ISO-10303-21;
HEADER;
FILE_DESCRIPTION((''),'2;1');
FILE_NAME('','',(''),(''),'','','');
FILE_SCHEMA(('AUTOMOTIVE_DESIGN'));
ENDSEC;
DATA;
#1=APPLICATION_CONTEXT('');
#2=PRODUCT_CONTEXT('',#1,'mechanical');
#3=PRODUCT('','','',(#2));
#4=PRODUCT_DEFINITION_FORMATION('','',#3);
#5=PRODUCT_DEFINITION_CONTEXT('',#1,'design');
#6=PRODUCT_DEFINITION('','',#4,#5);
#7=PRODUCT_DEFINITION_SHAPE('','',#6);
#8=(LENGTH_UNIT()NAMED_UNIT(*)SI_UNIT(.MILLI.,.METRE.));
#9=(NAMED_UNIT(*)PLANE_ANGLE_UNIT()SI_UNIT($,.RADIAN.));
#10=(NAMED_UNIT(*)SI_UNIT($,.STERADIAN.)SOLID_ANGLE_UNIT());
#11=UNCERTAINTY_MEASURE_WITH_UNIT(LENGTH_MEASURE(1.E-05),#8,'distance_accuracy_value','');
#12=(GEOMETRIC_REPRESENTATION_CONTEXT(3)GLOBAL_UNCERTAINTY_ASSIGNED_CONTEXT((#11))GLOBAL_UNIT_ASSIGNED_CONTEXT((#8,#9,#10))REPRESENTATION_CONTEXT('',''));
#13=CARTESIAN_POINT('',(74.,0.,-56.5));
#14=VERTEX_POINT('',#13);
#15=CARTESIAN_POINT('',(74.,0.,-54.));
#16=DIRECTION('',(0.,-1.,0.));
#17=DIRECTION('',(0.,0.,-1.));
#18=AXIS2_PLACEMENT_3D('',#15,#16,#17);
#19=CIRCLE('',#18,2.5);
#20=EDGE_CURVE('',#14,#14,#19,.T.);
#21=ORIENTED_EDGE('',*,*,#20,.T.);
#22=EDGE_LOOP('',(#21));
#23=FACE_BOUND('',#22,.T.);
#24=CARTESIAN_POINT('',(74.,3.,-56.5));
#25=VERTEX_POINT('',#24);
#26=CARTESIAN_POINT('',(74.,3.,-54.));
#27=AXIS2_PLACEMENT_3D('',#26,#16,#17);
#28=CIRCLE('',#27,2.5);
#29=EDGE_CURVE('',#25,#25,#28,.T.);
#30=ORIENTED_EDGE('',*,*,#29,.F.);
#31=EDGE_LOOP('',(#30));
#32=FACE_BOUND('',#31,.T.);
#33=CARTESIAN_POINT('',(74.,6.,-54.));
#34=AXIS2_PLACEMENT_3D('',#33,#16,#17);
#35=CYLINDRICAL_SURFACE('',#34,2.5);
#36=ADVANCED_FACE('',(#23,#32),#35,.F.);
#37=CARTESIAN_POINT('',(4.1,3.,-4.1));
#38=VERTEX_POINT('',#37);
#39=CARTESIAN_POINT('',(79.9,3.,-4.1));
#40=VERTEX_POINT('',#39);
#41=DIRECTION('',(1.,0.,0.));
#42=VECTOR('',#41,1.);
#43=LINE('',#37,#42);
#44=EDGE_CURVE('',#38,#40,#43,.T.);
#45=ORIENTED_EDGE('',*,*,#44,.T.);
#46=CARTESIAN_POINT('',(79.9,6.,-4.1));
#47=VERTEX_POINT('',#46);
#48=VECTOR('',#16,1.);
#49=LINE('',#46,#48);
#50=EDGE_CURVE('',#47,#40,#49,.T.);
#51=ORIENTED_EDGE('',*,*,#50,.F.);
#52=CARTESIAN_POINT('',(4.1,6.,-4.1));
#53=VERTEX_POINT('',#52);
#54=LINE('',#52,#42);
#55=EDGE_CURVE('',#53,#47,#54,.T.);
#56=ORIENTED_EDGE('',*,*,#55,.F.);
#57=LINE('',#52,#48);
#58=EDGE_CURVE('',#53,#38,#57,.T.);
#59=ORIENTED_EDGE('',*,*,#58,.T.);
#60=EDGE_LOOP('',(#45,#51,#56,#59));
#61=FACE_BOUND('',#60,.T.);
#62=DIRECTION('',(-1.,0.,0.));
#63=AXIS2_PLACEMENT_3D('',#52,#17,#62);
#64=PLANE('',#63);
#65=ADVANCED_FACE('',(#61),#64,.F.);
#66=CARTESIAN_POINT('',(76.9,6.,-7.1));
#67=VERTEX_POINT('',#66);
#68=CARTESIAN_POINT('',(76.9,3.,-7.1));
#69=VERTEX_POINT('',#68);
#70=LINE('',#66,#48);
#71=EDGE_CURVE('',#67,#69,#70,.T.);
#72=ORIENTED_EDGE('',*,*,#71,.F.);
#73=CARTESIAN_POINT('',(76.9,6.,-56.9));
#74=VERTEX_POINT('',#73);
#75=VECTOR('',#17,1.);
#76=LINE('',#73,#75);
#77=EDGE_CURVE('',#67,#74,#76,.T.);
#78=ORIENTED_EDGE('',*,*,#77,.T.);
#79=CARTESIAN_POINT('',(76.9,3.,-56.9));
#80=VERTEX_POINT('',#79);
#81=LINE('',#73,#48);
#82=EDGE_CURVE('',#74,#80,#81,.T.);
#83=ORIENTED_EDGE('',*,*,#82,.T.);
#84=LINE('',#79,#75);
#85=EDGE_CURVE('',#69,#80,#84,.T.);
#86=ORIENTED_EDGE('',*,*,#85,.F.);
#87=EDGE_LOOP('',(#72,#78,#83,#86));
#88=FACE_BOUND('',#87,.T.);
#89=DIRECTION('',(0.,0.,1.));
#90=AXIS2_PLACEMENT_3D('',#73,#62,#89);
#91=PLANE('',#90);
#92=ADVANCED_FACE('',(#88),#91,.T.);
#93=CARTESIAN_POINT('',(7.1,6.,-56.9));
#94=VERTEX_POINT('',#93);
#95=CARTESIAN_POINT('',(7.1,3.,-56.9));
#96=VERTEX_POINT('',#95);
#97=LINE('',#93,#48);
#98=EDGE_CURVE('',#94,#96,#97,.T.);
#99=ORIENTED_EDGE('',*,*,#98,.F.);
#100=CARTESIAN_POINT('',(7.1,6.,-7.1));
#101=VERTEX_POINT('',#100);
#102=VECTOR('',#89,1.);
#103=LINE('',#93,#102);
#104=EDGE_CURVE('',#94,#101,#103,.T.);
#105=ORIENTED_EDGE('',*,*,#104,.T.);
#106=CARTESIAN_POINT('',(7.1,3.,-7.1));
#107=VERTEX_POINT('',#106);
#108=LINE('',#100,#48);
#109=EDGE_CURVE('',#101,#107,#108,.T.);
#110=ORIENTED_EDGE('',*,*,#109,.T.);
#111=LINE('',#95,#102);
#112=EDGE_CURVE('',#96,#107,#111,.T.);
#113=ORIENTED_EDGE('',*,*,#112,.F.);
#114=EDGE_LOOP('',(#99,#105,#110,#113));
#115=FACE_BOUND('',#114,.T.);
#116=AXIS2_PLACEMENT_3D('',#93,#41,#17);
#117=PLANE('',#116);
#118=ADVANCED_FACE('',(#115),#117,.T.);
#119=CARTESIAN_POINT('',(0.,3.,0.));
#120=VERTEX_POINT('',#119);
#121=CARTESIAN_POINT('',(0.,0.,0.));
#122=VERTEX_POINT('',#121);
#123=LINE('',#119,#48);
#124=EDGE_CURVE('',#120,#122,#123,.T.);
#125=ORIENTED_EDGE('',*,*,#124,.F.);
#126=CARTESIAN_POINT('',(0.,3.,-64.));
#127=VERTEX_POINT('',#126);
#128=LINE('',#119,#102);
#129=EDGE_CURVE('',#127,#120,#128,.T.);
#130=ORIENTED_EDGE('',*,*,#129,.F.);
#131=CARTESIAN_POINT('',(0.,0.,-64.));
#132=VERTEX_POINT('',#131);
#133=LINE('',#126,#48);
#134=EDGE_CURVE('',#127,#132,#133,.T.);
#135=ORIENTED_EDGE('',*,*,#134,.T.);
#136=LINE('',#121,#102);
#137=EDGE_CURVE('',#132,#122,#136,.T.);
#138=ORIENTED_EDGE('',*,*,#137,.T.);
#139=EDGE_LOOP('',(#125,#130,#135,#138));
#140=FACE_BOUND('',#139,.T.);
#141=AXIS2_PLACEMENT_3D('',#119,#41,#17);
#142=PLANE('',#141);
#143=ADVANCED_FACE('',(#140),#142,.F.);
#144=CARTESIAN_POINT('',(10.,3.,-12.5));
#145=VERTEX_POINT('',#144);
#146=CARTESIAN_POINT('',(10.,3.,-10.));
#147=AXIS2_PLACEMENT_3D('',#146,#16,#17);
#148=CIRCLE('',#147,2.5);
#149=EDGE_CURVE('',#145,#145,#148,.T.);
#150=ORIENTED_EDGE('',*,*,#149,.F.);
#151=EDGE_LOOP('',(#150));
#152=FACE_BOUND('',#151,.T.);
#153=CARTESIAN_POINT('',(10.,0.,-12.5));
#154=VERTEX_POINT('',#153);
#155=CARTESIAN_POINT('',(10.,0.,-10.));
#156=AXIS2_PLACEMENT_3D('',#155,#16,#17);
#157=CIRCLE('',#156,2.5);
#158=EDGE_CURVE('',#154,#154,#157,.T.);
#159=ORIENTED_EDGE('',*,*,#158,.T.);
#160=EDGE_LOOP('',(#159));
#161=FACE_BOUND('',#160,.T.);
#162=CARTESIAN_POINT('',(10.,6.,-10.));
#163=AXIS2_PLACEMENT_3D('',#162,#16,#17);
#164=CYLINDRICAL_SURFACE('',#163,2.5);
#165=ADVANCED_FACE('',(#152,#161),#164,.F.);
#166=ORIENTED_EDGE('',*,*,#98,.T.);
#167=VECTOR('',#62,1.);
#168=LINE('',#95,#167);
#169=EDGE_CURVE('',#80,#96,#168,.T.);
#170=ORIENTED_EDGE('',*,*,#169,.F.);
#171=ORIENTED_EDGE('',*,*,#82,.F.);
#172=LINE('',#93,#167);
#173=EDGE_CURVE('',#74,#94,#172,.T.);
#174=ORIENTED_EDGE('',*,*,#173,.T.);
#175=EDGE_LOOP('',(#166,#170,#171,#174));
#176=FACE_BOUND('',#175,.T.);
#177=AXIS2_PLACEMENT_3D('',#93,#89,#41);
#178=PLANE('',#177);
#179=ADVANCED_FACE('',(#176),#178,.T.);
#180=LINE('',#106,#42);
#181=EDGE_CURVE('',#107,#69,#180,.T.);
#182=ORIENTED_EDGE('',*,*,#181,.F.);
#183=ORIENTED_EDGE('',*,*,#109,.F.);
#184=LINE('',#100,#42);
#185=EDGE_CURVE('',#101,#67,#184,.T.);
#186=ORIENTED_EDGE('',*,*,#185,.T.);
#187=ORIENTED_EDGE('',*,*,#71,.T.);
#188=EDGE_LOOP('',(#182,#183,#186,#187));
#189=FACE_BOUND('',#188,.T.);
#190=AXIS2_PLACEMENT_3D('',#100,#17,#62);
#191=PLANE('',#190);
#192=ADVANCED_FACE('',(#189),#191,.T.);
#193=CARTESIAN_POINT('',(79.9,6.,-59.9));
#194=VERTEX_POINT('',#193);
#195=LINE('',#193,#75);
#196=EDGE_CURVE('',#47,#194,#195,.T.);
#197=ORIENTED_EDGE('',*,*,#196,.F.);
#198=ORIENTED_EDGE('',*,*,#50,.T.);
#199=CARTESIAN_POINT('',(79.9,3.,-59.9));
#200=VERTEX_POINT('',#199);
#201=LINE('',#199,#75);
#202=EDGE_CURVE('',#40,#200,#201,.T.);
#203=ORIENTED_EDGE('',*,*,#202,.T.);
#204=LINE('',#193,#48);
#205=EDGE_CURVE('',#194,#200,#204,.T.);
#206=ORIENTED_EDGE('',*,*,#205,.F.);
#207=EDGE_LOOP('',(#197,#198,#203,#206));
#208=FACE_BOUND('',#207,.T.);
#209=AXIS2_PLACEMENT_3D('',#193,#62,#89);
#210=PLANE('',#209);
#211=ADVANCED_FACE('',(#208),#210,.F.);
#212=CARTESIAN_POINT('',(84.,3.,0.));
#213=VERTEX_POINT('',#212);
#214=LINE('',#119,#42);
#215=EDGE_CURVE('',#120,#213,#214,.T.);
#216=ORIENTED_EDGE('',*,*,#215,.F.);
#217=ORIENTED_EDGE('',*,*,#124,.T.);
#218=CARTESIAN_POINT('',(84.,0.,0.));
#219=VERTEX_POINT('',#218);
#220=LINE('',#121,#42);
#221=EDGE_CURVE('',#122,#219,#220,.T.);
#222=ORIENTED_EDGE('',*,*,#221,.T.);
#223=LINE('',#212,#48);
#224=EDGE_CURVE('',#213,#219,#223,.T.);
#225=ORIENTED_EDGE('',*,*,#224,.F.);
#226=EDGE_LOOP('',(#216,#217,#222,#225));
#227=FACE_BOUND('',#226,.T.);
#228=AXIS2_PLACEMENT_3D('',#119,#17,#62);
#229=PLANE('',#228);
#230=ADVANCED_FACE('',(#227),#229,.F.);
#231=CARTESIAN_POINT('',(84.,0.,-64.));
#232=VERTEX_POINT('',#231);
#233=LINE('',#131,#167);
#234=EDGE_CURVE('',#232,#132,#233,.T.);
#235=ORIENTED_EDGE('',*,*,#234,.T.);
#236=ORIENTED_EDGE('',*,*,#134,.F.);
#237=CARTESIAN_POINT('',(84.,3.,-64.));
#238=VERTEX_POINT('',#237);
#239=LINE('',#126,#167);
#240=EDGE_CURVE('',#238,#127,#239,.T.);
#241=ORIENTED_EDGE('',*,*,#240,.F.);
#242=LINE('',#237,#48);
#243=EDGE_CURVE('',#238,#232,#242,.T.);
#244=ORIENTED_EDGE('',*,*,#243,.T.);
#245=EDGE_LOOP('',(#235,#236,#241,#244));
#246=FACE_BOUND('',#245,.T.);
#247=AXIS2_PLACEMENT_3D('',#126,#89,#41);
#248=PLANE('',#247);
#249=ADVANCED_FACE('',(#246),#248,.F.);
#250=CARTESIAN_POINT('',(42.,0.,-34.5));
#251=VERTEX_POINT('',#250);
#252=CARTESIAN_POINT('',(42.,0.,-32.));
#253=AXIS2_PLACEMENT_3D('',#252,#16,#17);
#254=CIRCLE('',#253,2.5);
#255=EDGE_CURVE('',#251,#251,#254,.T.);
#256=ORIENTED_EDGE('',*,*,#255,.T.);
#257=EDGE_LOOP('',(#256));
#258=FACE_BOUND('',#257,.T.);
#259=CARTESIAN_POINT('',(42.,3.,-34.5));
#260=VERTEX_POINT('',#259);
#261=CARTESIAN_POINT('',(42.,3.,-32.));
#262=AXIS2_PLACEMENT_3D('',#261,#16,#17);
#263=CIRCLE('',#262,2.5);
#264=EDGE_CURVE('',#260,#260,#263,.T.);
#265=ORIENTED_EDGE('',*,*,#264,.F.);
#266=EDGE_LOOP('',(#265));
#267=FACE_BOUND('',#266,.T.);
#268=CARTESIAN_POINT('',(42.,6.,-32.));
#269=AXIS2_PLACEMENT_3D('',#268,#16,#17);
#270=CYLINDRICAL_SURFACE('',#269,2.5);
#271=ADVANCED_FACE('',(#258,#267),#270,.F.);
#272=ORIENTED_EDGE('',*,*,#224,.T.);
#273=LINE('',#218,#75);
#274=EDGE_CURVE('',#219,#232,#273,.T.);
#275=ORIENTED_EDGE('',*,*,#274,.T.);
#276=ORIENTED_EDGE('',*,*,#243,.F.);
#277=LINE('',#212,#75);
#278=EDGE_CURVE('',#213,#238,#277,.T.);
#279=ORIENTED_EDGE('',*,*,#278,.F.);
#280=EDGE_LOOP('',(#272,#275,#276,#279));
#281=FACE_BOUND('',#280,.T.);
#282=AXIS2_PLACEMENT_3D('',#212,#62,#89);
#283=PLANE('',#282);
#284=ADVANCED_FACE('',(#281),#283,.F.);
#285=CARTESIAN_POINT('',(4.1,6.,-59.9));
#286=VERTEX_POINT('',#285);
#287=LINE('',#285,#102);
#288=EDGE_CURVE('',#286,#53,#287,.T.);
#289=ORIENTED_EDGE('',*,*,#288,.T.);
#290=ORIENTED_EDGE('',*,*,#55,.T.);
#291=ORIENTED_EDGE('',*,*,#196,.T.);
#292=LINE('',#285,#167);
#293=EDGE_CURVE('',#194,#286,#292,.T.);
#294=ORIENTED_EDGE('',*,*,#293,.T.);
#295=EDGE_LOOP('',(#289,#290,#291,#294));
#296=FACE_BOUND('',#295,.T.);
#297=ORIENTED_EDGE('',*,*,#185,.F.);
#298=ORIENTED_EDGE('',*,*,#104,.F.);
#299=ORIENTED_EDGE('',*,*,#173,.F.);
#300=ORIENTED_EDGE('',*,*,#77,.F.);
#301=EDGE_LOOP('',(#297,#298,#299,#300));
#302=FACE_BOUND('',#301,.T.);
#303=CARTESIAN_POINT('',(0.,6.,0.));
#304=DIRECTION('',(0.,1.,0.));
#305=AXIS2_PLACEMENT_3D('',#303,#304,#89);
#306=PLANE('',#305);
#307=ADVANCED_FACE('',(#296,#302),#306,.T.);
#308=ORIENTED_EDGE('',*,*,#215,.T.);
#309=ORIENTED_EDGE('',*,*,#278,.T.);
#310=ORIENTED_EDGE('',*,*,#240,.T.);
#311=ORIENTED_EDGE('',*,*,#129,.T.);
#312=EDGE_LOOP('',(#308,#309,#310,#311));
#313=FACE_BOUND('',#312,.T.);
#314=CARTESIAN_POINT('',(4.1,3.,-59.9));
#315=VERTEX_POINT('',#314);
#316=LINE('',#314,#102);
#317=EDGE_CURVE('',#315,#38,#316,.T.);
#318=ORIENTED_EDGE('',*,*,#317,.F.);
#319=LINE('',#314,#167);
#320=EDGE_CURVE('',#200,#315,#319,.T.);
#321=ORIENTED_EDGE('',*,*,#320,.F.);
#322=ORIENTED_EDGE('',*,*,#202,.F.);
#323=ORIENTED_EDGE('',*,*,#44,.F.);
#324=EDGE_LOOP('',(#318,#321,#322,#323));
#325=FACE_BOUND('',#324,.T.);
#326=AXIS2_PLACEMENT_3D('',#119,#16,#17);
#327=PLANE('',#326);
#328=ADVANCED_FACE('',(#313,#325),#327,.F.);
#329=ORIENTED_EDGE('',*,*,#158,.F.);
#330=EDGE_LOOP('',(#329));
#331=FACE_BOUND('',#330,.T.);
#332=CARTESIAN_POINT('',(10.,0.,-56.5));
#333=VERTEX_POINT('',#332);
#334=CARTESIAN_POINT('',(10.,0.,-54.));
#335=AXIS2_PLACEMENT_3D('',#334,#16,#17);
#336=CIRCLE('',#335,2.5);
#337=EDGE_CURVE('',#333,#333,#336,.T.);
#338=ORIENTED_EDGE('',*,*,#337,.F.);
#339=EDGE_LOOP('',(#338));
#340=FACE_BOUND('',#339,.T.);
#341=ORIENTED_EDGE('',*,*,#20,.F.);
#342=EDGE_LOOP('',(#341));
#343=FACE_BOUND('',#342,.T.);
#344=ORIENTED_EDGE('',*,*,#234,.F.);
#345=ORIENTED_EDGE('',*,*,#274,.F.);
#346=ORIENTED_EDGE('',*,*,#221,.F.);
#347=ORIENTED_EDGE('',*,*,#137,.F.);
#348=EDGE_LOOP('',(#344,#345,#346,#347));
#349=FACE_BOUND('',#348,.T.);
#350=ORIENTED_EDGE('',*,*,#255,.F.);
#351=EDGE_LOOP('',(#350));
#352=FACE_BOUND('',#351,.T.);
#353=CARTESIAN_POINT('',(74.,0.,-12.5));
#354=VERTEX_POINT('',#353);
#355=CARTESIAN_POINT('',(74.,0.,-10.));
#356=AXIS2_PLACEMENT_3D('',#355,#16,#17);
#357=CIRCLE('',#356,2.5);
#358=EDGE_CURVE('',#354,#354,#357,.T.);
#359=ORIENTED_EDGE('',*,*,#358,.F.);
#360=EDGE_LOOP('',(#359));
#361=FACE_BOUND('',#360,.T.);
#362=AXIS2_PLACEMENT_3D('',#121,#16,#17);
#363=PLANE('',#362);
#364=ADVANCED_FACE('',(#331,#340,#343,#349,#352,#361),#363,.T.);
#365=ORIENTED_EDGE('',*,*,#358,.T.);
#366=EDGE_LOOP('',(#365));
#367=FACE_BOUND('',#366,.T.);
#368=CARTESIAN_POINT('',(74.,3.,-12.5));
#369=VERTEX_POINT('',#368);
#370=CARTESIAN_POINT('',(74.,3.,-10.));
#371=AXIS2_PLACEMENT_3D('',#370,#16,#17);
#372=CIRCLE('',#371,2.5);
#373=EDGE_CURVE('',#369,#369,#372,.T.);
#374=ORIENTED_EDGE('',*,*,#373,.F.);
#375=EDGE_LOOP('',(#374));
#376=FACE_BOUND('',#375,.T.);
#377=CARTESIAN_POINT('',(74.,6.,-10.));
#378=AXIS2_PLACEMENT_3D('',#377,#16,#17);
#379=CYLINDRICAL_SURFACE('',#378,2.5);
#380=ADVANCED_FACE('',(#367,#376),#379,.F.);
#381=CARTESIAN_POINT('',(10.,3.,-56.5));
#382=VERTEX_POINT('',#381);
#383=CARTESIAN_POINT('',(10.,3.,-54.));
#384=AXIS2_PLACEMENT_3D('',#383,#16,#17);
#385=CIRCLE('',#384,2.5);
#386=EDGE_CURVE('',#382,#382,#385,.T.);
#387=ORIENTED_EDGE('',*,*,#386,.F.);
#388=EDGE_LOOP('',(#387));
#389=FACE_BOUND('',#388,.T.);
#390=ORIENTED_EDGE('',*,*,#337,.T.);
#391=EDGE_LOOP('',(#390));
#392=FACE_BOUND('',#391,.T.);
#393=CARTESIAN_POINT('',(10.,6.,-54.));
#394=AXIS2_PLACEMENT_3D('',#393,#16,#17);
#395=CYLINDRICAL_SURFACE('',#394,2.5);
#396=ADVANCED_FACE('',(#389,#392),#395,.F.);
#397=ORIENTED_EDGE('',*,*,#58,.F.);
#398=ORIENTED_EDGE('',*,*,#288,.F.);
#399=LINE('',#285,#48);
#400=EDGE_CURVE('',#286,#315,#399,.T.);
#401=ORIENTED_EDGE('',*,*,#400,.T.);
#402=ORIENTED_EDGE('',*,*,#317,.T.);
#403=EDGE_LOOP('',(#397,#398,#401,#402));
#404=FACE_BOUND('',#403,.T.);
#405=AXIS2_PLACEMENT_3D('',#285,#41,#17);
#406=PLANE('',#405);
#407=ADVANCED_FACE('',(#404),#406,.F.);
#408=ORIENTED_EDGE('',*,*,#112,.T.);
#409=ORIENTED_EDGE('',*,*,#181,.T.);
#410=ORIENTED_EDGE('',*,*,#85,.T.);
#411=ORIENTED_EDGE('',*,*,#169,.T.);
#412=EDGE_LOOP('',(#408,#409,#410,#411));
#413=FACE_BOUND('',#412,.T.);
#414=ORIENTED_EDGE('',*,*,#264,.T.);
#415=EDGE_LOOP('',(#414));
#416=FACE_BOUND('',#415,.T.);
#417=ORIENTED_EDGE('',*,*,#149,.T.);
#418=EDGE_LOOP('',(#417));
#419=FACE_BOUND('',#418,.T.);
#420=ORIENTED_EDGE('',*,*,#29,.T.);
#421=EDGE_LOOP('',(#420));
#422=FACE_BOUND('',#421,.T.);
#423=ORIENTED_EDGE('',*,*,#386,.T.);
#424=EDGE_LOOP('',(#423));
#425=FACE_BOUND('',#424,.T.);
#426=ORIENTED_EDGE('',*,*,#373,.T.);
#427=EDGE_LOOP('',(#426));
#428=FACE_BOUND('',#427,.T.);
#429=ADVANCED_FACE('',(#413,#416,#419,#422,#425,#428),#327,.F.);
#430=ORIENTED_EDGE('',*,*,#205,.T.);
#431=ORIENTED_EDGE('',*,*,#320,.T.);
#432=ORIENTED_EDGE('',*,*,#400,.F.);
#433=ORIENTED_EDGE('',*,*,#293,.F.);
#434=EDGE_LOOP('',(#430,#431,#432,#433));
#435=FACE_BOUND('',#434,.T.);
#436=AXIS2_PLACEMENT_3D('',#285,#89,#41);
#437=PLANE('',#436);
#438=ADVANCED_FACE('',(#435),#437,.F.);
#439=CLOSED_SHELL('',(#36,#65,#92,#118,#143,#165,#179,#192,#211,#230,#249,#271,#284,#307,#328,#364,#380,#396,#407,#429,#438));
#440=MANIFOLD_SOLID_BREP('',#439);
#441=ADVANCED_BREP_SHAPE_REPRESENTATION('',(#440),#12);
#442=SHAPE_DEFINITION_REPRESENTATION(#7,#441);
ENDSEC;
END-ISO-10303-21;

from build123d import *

# Parameters (mm, degrees)
CROQUIS1_W              = 84
CROQUIS1_H              = 64
SALIENTE_EXTRUIR1_DEPTH = 3
CROQUIS2_W              = 75.8
CROQUIS2_H              = 55.8
CROQUIS2_W_2            = 69.8
CROQUIS2_H_2            = 49.8
SALIENTE_EXTRUIR2_DEPTH = 3
CROQUIS3_R              = 2.5
CORTAR_EXTRUIR1_DEPTH   = 7


with BuildPart() as part:
    # Croquis1 → Saliente-Extruir1 (new body)
    with BuildSketch(Plane(origin=(0, 0, 0), x_dir=(1, 0, 0), z_dir=(0, 1, 0))):
        with Locations((42, 32)):
            Rectangle(CROQUIS1_W, CROQUIS1_H)
    extrude(amount=SALIENTE_EXTRUIR1_DEPTH)

    # Croquis2 → Saliente-Extruir2 (add)
    with BuildSketch(Plane(origin=(0, 3, 0), x_dir=(1, 0, 0), z_dir=(0, 1, 0))):
        with Locations((42, 32)):
            Rectangle(CROQUIS2_W, CROQUIS2_H)
        with Locations((42, 32)):
            Rectangle(CROQUIS2_W_2, CROQUIS2_H_2, mode=Mode.SUBTRACT)
    extrude(amount=SALIENTE_EXTRUIR2_DEPTH)

    # Croquis3 → Cortar-Extruir1 (cut, through all)
    with BuildSketch(Plane.XZ):
        with Locations((42, -32)):
            Circle(CROQUIS3_R)
        with Locations((10, -10)):
            Circle(CROQUIS3_R)
        with Locations((74, -10)):
            Circle(CROQUIS3_R)
        with Locations((74, -54)):
            Circle(CROQUIS3_R)
        with Locations((10, -54)):
            Circle(CROQUIS3_R)
    extrude(amount=-CORTAR_EXTRUIR1_DEPTH, mode=Mode.SUBTRACT)


solid = part.part
